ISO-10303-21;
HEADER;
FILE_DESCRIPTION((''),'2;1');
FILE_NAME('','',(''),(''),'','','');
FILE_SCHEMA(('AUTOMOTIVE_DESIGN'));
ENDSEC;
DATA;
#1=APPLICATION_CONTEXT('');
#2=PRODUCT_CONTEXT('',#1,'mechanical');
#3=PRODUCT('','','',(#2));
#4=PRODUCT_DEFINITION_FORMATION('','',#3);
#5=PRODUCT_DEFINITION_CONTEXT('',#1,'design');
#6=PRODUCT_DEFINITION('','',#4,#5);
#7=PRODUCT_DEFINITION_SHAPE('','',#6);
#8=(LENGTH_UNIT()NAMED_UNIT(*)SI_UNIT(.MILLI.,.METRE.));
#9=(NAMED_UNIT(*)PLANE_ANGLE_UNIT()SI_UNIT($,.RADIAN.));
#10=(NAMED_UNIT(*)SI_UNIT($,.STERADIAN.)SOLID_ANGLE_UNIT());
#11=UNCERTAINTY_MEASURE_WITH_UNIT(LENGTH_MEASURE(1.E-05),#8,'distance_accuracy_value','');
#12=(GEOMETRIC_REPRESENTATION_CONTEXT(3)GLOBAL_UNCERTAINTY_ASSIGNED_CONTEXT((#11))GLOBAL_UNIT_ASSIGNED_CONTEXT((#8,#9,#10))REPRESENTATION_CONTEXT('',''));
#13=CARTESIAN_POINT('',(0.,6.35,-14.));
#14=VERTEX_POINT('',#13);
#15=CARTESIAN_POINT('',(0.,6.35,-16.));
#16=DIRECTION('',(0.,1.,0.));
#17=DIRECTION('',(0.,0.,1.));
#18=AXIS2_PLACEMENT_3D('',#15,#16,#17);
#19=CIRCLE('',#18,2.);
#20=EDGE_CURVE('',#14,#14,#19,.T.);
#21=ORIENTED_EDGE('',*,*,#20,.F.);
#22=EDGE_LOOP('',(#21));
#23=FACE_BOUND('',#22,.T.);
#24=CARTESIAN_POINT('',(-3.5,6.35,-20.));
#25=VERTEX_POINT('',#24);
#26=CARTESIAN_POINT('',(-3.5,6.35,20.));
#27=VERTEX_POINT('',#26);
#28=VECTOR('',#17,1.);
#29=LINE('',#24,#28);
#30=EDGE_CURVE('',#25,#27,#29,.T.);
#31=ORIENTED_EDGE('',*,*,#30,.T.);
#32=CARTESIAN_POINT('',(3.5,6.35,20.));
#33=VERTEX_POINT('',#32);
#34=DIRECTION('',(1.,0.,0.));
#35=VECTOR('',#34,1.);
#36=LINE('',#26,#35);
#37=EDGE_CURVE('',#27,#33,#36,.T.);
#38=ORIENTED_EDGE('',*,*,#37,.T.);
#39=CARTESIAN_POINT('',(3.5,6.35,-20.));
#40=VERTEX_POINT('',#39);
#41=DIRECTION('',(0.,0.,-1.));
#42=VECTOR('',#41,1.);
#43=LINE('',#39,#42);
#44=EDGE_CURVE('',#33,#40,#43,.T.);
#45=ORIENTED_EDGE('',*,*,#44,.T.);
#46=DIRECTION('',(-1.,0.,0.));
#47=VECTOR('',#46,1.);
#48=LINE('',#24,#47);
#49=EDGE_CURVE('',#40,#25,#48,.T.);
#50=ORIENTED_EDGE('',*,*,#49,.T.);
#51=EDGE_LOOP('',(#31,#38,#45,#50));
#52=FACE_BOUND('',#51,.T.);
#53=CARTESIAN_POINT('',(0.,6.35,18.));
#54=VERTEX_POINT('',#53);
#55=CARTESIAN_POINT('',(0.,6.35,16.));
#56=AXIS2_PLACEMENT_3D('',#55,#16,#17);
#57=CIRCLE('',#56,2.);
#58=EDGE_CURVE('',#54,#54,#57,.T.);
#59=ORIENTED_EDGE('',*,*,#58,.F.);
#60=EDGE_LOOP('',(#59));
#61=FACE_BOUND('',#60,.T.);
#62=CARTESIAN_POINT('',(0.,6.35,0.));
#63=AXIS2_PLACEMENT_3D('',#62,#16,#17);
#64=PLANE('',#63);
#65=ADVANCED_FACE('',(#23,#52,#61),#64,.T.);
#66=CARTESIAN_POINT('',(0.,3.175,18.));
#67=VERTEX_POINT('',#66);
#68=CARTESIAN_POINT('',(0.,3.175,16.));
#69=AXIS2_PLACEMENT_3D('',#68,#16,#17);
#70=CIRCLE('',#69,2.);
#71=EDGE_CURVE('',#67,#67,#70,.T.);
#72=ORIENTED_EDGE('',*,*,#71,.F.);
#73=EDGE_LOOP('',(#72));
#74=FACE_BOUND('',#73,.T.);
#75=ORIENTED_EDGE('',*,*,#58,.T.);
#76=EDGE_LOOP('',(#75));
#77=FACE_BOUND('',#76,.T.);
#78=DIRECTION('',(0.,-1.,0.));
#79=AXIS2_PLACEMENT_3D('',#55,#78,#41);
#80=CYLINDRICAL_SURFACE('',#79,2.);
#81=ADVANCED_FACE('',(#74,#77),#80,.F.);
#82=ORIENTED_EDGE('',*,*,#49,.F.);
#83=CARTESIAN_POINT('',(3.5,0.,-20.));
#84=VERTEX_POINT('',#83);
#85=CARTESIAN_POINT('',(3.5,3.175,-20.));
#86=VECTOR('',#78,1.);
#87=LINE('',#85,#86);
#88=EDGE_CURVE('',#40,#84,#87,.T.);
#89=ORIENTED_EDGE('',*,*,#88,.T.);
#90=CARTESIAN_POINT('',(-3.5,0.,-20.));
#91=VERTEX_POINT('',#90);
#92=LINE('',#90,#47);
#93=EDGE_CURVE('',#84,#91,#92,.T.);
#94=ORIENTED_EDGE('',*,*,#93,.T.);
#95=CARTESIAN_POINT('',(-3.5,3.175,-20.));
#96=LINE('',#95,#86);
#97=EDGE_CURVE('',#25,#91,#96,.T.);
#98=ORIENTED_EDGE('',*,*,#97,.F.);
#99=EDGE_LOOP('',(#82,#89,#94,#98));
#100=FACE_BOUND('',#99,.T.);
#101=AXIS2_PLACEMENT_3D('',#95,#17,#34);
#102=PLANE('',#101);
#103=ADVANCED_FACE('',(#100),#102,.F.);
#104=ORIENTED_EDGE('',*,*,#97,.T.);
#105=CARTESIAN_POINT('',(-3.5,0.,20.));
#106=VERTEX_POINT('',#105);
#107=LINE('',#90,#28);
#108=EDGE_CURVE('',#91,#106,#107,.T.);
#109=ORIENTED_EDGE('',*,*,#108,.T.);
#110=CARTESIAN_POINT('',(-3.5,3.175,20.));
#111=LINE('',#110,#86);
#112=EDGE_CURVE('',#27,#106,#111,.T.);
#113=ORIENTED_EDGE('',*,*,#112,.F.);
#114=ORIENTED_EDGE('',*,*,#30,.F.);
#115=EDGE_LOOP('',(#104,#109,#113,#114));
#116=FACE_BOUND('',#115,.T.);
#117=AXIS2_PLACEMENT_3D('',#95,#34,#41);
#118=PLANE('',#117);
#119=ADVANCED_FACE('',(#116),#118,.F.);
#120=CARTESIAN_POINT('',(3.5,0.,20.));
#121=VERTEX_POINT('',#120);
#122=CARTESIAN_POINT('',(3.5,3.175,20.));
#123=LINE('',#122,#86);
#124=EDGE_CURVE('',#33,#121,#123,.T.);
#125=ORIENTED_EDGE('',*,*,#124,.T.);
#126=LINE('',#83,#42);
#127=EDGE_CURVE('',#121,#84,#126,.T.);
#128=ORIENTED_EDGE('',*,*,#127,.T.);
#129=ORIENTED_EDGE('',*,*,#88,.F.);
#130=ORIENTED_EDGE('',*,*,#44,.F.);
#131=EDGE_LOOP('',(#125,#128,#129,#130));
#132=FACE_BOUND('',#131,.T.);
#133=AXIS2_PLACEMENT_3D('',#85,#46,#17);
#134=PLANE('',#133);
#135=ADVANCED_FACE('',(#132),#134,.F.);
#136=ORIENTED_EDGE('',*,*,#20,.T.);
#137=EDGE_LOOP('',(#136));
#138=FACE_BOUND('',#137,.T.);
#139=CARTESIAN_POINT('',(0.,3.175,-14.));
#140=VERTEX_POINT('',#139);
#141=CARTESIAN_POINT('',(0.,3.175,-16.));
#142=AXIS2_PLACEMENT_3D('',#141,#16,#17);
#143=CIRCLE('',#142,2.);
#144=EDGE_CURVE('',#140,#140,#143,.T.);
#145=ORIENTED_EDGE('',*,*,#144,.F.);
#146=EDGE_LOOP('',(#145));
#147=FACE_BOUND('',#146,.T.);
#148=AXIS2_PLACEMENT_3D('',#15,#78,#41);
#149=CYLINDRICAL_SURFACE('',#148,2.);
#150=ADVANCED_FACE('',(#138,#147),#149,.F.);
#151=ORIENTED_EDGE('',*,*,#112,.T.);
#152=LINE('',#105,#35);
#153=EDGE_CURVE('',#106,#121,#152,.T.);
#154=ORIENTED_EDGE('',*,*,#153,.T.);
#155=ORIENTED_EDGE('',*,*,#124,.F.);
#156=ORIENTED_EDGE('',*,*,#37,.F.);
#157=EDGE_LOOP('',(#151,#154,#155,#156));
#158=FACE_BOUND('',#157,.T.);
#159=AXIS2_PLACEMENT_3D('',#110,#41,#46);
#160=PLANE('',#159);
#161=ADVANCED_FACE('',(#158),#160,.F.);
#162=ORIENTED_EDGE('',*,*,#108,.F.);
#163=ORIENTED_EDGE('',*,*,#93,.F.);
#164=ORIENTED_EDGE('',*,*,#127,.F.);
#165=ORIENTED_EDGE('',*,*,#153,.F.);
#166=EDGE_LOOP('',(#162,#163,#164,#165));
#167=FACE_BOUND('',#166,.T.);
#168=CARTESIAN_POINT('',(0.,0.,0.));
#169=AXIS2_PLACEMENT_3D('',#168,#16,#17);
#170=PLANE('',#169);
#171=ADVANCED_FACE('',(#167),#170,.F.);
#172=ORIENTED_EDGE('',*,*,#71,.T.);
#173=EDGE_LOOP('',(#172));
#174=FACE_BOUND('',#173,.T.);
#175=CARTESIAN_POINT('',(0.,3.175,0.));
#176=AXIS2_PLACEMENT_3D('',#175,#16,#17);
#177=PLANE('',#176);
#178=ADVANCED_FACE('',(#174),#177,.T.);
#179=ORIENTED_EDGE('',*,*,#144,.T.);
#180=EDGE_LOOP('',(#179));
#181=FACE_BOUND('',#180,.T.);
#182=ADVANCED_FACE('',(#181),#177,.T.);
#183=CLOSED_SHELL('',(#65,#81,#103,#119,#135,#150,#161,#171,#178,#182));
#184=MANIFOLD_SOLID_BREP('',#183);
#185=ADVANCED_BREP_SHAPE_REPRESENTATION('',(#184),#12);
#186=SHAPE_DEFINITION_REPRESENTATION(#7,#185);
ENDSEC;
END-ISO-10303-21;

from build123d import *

# Parameters (mm, degrees)
SKETCH1_W           = 7
SKETCH1_H           = 40
BOSS_EXTRUDE1_DEPTH = 3.175
SKETCH2_W           = 7
SKETCH2_H           = 40
SKETCH2_R           = 2
BOSS_EXTRUDE2_DEPTH = 3.175


with BuildPart() as part:
    # Sketch1 → Boss-Extrude1 (new body)
    with BuildSketch(Plane(origin=(0, 0, 0), x_dir=(1, 0, 0), z_dir=(0, 1, 0))):
        Rectangle(SKETCH1_W, SKETCH1_H)
    extrude(amount=BOSS_EXTRUDE1_DEPTH)

    # Sketch2 → Boss-Extrude2 (add)
    with BuildSketch(Plane(origin=(0, 3.175, 0), x_dir=(1, 0, 0), z_dir=(0, 1, 0))):
        Rectangle(SKETCH2_W, SKETCH2_H)
        with Locations(Location((0, 16, 0), (0, 0, 270))):
            Circle(SKETCH2_R, mode=Mode.SUBTRACT)
        with Locations(Location((0, -16, 0), (0, 0, 270))):
            Circle(SKETCH2_R, mode=Mode.SUBTRACT)
    extrude(amount=BOSS_EXTRUDE2_DEPTH)


solid = part.part
